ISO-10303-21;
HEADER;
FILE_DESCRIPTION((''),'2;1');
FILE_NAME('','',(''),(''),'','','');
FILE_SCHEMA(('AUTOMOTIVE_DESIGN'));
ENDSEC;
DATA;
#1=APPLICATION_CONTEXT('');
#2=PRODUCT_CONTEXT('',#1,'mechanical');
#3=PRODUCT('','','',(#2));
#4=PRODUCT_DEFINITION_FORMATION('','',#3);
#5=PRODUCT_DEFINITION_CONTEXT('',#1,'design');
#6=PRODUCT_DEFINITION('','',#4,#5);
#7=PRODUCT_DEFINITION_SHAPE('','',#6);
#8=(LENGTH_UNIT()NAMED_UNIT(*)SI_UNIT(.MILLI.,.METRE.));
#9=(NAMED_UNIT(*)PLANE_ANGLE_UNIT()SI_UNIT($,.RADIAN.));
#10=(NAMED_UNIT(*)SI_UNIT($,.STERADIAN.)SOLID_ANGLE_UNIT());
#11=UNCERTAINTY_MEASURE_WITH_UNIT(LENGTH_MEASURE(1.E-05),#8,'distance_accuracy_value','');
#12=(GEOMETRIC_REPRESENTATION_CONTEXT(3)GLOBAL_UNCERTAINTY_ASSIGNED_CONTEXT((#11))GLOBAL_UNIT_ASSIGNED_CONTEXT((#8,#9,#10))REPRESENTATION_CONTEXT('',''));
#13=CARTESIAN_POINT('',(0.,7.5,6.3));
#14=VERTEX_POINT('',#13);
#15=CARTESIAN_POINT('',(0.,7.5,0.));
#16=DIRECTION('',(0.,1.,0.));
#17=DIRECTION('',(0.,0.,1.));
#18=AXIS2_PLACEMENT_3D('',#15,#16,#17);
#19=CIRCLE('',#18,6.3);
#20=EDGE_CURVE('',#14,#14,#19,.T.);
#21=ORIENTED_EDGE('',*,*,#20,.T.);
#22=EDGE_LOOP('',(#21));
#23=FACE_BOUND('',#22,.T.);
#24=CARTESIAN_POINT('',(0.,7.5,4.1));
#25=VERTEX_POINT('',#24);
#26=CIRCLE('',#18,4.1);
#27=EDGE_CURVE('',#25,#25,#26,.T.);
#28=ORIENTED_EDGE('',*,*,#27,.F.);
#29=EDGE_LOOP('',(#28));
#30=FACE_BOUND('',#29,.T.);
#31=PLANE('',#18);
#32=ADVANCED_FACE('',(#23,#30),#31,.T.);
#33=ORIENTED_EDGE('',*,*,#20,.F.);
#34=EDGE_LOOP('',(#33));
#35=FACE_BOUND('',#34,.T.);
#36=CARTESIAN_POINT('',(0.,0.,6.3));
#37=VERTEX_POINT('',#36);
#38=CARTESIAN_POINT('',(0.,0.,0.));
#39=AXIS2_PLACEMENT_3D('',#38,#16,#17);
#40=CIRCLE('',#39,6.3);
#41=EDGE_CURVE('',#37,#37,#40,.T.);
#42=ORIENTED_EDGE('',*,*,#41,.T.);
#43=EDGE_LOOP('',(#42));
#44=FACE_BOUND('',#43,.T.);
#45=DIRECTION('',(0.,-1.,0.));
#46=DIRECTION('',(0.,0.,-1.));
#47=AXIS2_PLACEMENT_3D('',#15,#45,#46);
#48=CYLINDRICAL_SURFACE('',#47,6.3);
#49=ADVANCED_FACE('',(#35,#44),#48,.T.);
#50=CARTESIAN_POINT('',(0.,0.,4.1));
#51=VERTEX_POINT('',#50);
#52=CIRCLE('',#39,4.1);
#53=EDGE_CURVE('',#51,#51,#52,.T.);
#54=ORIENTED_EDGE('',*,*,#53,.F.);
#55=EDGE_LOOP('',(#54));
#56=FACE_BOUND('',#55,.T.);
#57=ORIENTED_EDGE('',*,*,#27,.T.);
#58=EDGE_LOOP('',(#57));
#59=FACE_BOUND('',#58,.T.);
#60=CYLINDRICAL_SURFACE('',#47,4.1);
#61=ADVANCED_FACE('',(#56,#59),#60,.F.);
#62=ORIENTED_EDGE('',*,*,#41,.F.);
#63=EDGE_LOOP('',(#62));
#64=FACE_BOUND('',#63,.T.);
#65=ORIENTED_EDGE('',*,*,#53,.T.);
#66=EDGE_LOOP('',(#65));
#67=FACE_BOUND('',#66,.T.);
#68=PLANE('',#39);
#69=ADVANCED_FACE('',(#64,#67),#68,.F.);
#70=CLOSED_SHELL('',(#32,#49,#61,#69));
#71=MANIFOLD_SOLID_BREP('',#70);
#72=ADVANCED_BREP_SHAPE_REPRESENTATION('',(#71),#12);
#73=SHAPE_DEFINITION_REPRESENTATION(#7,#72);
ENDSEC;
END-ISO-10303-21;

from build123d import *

# Parameters (mm, degrees)
CROQUIS1_R              = 6.3
CROQUIS1_R_2            = 4.1
SALIENTE_EXTRUIR1_DEPTH = 7.5


with BuildPart() as part:
    # Croquis1 → Saliente-Extruir1 (new body)
    with BuildSketch(Plane(origin=(0, 0, 0), x_dir=(1, 0, 0), z_dir=(0, 1, 0))):
        Circle(CROQUIS1_R)
        Circle(CROQUIS1_R_2, mode=Mode.SUBTRACT)
    extrude(amount=SALIENTE_EXTRUIR1_DEPTH)


solid = part.part
